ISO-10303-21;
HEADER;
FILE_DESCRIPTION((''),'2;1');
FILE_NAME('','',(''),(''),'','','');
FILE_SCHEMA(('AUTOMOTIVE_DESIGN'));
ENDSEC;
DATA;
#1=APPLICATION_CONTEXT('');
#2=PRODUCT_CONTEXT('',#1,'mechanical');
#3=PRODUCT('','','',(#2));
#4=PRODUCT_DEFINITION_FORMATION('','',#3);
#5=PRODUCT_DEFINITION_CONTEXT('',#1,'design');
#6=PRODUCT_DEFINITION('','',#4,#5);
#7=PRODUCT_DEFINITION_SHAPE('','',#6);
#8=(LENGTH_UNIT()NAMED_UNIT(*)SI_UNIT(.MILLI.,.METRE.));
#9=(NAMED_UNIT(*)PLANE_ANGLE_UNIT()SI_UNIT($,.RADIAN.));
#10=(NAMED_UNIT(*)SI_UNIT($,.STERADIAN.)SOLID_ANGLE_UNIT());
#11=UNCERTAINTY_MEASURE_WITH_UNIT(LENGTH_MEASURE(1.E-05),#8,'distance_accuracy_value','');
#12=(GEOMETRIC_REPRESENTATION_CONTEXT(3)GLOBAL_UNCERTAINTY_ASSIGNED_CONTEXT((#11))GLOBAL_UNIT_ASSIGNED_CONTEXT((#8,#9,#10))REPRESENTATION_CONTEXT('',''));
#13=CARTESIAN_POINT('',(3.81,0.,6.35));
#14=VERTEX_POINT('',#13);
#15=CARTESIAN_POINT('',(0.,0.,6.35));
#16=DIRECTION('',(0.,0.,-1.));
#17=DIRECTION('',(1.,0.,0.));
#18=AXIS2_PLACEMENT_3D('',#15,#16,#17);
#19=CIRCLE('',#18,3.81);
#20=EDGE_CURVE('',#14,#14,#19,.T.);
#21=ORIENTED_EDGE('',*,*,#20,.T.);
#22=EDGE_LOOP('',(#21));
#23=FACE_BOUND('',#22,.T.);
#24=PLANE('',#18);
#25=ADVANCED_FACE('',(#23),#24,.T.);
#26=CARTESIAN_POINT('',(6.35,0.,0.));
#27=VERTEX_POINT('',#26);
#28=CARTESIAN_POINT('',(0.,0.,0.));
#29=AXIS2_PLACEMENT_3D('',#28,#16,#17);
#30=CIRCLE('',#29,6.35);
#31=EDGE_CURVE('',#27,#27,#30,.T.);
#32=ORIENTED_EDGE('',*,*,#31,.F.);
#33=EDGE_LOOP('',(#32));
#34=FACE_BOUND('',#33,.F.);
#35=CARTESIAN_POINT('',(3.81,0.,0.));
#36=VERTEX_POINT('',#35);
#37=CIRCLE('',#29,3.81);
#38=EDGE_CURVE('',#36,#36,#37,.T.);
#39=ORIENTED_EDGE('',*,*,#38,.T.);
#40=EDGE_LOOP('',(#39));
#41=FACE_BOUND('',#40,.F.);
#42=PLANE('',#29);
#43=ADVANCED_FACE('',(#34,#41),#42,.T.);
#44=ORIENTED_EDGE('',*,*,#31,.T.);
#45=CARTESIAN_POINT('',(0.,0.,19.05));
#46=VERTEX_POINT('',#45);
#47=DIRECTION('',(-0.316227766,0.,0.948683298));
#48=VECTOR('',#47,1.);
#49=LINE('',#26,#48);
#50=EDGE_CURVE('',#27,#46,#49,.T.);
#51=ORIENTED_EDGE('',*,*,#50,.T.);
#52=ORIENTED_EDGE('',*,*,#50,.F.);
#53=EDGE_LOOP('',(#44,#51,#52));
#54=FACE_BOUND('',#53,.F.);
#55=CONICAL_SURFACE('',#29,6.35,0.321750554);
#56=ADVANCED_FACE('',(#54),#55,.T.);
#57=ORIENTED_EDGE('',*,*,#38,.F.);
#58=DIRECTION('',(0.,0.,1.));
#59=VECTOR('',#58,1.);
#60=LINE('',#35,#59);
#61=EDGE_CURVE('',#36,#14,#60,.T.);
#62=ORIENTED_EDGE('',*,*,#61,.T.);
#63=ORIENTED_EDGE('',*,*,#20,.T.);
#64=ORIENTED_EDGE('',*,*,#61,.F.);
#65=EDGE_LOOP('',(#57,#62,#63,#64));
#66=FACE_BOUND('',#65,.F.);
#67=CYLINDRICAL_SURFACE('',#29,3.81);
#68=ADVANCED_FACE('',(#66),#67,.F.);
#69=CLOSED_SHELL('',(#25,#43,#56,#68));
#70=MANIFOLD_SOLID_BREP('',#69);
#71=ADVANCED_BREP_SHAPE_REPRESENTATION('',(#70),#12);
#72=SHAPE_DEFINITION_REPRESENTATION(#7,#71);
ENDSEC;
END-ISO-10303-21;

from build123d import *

# Parameters (mm, degrees)
F2_R     = 3.81
F3_DEPTH = 6.35


with BuildPart() as f1:
    # F0 (on Front) → F1 (revolve)
    with BuildSketch(Plane.XZ):
        Polygon((0, 19.05), (0, 0), (6.35, 0), align=None)
    revolve(axis=Axis((0, 0, 4.841133), (0, 0, -1)))

    # F2 (on face) → F3 (cut)
    with BuildSketch(Plane(origin=(0, 0, 0), x_dir=(1, 0, 0), z_dir=(0, 0, -1))):
        Circle(F2_R)
    extrude(amount=-F3_DEPTH, mode=Mode.SUBTRACT)


solid = f1.part
